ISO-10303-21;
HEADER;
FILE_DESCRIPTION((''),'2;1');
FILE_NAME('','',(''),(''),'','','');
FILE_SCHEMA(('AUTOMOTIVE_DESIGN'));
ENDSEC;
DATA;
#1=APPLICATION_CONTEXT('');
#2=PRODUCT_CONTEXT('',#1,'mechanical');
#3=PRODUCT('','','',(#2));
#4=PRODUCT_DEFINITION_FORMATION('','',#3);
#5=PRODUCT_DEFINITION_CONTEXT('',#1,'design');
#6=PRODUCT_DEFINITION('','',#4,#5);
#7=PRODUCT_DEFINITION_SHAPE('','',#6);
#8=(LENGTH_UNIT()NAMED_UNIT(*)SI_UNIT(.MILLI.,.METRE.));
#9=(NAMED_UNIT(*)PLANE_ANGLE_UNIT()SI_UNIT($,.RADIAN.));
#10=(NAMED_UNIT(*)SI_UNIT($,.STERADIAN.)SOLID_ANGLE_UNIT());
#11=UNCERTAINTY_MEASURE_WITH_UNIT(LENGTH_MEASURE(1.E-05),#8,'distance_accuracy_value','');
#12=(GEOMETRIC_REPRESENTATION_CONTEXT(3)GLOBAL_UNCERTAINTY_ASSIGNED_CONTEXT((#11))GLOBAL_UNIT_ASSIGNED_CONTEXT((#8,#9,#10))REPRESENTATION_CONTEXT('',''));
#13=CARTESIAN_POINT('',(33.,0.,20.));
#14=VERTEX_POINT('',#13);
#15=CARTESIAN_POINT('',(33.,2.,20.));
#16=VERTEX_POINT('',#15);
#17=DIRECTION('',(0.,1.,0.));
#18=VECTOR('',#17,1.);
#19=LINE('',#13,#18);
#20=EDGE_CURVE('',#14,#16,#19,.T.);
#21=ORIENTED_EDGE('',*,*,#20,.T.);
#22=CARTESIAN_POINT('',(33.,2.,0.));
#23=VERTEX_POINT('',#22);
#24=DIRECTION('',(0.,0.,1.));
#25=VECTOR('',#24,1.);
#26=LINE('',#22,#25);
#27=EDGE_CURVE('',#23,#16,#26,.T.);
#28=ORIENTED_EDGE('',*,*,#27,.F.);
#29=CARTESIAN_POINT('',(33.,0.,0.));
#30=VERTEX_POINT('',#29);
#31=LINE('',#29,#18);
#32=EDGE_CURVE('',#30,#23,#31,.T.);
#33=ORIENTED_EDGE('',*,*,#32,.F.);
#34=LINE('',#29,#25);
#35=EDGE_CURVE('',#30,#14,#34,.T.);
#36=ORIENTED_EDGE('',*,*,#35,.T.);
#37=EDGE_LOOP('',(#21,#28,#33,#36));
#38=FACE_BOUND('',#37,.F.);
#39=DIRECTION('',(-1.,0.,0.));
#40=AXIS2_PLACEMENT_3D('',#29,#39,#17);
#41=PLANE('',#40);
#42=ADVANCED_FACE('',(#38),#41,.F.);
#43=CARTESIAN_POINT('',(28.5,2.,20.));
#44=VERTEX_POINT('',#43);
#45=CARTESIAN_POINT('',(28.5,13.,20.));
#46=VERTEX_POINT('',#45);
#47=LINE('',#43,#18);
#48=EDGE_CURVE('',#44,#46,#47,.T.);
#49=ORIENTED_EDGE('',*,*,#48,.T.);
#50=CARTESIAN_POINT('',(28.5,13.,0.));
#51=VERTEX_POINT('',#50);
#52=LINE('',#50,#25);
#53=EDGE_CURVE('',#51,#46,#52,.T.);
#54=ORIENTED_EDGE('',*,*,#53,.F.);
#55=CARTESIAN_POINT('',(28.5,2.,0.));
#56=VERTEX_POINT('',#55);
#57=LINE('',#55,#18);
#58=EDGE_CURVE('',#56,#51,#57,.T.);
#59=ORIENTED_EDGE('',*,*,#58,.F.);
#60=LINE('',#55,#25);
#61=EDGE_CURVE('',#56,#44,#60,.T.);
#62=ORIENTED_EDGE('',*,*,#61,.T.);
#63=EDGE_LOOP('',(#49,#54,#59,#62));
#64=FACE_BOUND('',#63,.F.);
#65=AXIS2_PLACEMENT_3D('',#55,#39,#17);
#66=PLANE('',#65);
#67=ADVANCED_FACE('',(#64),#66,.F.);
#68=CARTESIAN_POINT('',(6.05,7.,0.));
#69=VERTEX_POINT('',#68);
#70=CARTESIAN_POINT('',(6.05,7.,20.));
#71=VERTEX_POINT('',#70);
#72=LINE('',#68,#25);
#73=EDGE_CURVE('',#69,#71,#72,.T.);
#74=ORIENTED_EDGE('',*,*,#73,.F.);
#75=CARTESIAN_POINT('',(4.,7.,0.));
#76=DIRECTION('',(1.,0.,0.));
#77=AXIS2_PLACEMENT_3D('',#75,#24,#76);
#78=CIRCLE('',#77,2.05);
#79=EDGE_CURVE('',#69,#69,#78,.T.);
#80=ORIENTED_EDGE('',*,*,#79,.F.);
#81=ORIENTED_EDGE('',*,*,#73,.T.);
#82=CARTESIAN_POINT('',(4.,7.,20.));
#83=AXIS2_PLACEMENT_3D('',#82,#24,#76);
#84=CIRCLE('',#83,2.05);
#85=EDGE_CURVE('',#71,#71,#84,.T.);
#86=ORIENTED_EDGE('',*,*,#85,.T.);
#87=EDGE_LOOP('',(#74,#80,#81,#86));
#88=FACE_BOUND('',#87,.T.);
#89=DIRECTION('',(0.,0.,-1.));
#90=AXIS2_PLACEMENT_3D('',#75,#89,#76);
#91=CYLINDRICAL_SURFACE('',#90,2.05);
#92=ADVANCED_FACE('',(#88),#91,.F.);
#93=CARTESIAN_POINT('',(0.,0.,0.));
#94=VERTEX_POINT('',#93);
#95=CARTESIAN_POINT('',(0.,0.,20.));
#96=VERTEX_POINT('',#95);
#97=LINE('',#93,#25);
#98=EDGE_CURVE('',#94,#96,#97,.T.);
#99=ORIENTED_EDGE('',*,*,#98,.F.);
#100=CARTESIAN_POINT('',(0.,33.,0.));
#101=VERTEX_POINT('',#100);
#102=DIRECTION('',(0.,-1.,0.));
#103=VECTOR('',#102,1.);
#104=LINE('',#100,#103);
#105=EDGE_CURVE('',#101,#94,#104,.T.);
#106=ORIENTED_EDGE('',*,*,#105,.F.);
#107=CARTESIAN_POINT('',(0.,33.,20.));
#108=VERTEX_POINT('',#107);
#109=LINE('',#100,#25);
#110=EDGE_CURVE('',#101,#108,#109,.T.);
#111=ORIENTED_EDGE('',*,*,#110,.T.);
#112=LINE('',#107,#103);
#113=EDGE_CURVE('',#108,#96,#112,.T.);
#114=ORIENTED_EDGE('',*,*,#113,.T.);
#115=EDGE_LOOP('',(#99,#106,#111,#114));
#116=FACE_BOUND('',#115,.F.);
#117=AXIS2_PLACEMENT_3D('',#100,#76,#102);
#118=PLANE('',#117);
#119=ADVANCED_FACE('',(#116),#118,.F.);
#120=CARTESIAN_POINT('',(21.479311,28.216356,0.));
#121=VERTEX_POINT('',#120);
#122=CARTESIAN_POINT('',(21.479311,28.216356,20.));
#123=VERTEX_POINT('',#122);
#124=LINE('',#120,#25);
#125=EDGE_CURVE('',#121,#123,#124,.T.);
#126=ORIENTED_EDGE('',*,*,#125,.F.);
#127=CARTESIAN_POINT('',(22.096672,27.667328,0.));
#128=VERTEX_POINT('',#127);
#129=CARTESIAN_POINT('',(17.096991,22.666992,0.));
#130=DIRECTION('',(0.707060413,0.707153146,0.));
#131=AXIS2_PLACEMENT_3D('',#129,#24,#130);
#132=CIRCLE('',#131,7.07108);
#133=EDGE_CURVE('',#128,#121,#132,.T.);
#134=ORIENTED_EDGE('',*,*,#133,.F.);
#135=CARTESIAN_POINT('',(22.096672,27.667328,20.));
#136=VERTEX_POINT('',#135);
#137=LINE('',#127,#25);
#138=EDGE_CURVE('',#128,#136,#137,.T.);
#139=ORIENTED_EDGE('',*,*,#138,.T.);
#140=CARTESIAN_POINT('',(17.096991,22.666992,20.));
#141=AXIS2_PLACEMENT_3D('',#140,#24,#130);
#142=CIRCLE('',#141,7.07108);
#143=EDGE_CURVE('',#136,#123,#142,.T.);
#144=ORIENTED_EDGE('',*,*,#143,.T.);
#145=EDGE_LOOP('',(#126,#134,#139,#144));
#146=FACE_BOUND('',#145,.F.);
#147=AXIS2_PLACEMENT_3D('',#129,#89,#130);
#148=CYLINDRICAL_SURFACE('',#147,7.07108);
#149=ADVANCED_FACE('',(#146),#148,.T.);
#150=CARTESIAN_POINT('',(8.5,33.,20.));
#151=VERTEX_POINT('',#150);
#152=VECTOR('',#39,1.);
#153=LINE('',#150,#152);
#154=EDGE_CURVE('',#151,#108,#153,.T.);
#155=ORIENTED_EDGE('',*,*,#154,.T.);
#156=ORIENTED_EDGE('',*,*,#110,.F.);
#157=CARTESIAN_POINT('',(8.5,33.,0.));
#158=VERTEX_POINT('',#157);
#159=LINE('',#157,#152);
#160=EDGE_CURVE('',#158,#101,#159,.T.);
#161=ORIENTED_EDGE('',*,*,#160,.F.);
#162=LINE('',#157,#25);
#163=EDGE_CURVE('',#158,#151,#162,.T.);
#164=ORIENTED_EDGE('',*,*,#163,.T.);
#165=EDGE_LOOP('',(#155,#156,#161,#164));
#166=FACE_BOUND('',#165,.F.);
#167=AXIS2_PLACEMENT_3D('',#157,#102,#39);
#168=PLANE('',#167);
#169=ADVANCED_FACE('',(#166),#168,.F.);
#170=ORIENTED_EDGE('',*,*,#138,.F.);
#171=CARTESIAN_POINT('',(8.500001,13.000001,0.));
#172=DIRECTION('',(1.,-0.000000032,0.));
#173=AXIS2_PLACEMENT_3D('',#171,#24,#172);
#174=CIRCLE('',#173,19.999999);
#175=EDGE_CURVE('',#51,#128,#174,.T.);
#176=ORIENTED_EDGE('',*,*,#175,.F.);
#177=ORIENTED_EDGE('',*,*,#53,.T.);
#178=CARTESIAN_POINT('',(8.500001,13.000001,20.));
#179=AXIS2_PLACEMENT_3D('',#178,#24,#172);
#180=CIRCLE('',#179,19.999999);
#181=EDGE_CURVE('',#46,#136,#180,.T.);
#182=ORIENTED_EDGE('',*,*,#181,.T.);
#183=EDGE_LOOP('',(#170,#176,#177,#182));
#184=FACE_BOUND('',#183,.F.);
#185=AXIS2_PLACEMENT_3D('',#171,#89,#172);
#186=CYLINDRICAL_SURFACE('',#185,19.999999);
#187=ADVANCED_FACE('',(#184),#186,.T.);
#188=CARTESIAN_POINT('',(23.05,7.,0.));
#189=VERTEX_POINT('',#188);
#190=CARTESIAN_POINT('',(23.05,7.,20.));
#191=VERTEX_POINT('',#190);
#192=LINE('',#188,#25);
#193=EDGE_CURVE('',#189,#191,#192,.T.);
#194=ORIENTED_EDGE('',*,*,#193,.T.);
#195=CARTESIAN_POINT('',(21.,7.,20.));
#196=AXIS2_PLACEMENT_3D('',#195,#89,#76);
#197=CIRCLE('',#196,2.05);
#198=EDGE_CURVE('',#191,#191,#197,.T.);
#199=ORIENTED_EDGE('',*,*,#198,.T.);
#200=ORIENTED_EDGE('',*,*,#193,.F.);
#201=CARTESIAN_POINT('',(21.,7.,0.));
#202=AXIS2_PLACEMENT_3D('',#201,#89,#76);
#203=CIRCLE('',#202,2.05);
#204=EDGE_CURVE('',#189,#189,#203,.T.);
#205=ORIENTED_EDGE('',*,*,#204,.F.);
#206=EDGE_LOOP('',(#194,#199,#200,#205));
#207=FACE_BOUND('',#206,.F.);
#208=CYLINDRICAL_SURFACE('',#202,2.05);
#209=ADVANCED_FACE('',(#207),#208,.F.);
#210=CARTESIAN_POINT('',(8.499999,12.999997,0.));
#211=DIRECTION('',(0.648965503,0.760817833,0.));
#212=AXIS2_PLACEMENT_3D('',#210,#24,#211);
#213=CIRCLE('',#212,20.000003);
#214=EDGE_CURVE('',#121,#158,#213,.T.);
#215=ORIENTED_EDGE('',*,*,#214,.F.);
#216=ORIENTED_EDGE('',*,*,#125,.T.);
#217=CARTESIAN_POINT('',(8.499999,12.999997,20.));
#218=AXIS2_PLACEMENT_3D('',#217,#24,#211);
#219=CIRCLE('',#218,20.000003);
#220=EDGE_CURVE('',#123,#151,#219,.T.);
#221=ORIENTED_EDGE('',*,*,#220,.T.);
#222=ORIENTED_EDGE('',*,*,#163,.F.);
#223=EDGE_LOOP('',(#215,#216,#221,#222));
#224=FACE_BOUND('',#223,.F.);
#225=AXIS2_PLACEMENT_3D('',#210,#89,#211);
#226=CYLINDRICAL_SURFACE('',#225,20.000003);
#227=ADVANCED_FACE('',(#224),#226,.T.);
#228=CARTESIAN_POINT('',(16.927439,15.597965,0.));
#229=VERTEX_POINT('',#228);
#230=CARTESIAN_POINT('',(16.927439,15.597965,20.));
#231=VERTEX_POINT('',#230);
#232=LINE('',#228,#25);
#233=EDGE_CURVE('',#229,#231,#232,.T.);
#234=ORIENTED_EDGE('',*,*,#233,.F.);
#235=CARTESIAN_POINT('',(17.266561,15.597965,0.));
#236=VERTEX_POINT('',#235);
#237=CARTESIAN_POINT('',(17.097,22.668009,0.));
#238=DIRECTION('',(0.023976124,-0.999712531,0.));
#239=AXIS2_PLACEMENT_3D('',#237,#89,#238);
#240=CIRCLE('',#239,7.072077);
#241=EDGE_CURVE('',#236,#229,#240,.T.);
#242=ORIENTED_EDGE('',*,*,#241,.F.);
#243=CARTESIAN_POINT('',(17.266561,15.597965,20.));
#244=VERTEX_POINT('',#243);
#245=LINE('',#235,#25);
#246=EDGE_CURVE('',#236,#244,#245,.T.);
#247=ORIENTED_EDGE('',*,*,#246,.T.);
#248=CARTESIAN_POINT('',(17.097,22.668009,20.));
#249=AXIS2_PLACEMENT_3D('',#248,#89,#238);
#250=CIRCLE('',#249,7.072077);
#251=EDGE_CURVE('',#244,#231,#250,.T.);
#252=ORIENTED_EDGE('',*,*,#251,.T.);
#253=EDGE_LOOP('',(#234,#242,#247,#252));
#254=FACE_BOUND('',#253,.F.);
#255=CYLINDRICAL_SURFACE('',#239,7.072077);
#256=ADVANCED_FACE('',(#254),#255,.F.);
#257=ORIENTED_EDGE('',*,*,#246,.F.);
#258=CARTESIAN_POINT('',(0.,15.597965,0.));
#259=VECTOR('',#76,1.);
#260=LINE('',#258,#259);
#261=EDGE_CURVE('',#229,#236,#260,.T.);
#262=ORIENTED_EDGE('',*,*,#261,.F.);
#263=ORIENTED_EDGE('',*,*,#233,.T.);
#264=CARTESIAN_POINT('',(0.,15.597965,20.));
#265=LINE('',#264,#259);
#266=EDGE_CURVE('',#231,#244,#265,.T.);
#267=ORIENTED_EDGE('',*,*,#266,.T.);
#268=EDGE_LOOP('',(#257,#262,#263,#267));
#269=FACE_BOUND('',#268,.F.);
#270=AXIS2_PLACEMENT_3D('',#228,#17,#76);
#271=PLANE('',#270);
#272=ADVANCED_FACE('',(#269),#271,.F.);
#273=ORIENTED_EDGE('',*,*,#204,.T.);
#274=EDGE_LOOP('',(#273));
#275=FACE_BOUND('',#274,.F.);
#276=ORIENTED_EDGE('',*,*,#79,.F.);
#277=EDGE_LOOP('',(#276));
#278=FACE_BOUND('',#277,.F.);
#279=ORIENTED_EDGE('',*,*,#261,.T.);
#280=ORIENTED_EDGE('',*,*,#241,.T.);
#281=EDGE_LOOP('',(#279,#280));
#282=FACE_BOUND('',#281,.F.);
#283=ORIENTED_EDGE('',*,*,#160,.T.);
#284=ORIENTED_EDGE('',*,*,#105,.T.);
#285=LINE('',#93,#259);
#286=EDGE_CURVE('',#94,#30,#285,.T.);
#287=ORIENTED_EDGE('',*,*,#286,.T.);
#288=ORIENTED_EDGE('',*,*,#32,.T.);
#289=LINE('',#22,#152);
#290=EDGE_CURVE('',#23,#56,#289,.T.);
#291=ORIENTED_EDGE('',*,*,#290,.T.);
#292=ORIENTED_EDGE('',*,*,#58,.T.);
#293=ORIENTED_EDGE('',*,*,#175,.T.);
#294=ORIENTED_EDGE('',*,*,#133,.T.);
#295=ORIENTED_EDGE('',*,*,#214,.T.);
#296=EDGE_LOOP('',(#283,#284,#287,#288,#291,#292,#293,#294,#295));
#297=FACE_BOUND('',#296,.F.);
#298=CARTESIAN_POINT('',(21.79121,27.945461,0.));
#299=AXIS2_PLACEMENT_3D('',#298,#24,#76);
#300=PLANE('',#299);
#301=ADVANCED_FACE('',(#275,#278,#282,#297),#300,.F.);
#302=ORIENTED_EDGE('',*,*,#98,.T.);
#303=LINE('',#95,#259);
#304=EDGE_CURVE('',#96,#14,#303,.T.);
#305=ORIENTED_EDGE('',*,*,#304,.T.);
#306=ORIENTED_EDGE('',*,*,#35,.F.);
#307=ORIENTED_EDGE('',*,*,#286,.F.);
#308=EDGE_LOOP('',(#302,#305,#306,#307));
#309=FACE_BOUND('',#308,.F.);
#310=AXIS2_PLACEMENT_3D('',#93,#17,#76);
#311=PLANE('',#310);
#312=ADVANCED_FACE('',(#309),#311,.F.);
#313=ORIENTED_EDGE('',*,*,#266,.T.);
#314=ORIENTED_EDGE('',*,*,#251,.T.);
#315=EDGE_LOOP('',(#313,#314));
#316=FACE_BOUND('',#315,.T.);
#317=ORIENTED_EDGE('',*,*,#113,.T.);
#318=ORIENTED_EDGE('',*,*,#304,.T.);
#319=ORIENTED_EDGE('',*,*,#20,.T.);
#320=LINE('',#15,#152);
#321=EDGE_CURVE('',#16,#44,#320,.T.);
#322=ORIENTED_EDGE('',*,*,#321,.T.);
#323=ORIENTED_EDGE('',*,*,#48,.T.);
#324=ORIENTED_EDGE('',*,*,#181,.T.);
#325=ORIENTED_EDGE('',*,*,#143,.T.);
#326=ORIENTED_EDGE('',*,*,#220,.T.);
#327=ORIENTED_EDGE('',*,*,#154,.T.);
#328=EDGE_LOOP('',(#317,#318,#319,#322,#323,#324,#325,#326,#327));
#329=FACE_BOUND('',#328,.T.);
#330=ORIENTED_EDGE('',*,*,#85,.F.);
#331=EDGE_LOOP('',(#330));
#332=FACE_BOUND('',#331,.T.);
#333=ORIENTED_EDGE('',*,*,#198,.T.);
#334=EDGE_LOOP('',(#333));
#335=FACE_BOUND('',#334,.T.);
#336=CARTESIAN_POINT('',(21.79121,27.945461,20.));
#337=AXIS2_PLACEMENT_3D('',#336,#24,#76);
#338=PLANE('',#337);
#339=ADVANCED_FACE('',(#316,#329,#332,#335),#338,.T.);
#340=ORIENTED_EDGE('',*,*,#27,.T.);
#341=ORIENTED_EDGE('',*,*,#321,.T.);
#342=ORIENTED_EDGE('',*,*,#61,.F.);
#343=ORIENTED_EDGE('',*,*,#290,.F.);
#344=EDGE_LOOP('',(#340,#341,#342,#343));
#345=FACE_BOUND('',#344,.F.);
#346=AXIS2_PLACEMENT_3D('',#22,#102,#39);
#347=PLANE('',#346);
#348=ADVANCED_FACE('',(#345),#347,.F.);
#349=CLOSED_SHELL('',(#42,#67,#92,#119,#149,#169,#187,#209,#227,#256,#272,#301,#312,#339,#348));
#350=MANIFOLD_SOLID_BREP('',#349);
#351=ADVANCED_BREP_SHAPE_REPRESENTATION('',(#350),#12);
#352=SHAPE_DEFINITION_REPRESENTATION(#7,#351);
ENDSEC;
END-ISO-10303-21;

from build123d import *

# Parameters (mm, degrees)
F0_R     = 2.05
F1_DEPTH = 20


with BuildPart() as f1:
    # F0 (on Top) → F1 (new body)
    with BuildSketch(Plane.XY):
        with BuildLine():
            ThreePointArc((22.096672, 27.667328), (21.796017, 27.950866), (21.479311, 28.216356))
            ThreePointArc((21.479311, 28.216356), (21.790827, 27.94503), (22.096672, 27.667328))
        make_face()
        with BuildLine():
            Line((0, 15.597965), (0, 0))
            Line((0, 0), (33, 0))
            Line((33, 0), (33, 2))
            Line((33, 2), (28.5, 2))
            Line((28.5, 2), (28.5, 13))
            ThreePointArc((28.5, 13), (26.829395, 21.00208), (22.096672, 27.667328))
            ThreePointArc((22.096672, 27.667328), (23.661878, 20.039762), (17.266561, 15.597965))
            ThreePointArc((17.266561, 15.597965), (17.097, 15.595932), (16.927439, 15.597965))
            Line((16.927439, 15.597965), (0, 15.597965))
        make_face()
        with Locations((4, 7)):
            Circle(F0_R, mode=Mode.SUBTRACT)
        with BuildLine():
            ThreePointArc((18.95, 7), (21, 9.05), (23.05, 7))
            ThreePointArc((23.05, 7), (21, 4.95), (18.95, 7))
        make_face(mode=Mode.SUBTRACT)
        with BuildLine():
            Line((0, 33), (0, 15.597965))
            Line((0, 15.597965), (16.927439, 15.597965))
            Line((16.927439, 15.597965), (17.266561, 15.597965))
            ThreePointArc((17.266561, 15.597965), (23.661878, 20.039762), (22.096672, 27.667328))
            ThreePointArc((22.096672, 27.667328), (21.790827, 27.94503), (21.479311, 28.216356))
            ThreePointArc((21.479311, 28.216356), (15.41639, 31.766021), (8.5, 33))
            Line((8.5, 33), (0, 33))
        make_face()
    extrude(amount=F1_DEPTH)


solid = f1.part
